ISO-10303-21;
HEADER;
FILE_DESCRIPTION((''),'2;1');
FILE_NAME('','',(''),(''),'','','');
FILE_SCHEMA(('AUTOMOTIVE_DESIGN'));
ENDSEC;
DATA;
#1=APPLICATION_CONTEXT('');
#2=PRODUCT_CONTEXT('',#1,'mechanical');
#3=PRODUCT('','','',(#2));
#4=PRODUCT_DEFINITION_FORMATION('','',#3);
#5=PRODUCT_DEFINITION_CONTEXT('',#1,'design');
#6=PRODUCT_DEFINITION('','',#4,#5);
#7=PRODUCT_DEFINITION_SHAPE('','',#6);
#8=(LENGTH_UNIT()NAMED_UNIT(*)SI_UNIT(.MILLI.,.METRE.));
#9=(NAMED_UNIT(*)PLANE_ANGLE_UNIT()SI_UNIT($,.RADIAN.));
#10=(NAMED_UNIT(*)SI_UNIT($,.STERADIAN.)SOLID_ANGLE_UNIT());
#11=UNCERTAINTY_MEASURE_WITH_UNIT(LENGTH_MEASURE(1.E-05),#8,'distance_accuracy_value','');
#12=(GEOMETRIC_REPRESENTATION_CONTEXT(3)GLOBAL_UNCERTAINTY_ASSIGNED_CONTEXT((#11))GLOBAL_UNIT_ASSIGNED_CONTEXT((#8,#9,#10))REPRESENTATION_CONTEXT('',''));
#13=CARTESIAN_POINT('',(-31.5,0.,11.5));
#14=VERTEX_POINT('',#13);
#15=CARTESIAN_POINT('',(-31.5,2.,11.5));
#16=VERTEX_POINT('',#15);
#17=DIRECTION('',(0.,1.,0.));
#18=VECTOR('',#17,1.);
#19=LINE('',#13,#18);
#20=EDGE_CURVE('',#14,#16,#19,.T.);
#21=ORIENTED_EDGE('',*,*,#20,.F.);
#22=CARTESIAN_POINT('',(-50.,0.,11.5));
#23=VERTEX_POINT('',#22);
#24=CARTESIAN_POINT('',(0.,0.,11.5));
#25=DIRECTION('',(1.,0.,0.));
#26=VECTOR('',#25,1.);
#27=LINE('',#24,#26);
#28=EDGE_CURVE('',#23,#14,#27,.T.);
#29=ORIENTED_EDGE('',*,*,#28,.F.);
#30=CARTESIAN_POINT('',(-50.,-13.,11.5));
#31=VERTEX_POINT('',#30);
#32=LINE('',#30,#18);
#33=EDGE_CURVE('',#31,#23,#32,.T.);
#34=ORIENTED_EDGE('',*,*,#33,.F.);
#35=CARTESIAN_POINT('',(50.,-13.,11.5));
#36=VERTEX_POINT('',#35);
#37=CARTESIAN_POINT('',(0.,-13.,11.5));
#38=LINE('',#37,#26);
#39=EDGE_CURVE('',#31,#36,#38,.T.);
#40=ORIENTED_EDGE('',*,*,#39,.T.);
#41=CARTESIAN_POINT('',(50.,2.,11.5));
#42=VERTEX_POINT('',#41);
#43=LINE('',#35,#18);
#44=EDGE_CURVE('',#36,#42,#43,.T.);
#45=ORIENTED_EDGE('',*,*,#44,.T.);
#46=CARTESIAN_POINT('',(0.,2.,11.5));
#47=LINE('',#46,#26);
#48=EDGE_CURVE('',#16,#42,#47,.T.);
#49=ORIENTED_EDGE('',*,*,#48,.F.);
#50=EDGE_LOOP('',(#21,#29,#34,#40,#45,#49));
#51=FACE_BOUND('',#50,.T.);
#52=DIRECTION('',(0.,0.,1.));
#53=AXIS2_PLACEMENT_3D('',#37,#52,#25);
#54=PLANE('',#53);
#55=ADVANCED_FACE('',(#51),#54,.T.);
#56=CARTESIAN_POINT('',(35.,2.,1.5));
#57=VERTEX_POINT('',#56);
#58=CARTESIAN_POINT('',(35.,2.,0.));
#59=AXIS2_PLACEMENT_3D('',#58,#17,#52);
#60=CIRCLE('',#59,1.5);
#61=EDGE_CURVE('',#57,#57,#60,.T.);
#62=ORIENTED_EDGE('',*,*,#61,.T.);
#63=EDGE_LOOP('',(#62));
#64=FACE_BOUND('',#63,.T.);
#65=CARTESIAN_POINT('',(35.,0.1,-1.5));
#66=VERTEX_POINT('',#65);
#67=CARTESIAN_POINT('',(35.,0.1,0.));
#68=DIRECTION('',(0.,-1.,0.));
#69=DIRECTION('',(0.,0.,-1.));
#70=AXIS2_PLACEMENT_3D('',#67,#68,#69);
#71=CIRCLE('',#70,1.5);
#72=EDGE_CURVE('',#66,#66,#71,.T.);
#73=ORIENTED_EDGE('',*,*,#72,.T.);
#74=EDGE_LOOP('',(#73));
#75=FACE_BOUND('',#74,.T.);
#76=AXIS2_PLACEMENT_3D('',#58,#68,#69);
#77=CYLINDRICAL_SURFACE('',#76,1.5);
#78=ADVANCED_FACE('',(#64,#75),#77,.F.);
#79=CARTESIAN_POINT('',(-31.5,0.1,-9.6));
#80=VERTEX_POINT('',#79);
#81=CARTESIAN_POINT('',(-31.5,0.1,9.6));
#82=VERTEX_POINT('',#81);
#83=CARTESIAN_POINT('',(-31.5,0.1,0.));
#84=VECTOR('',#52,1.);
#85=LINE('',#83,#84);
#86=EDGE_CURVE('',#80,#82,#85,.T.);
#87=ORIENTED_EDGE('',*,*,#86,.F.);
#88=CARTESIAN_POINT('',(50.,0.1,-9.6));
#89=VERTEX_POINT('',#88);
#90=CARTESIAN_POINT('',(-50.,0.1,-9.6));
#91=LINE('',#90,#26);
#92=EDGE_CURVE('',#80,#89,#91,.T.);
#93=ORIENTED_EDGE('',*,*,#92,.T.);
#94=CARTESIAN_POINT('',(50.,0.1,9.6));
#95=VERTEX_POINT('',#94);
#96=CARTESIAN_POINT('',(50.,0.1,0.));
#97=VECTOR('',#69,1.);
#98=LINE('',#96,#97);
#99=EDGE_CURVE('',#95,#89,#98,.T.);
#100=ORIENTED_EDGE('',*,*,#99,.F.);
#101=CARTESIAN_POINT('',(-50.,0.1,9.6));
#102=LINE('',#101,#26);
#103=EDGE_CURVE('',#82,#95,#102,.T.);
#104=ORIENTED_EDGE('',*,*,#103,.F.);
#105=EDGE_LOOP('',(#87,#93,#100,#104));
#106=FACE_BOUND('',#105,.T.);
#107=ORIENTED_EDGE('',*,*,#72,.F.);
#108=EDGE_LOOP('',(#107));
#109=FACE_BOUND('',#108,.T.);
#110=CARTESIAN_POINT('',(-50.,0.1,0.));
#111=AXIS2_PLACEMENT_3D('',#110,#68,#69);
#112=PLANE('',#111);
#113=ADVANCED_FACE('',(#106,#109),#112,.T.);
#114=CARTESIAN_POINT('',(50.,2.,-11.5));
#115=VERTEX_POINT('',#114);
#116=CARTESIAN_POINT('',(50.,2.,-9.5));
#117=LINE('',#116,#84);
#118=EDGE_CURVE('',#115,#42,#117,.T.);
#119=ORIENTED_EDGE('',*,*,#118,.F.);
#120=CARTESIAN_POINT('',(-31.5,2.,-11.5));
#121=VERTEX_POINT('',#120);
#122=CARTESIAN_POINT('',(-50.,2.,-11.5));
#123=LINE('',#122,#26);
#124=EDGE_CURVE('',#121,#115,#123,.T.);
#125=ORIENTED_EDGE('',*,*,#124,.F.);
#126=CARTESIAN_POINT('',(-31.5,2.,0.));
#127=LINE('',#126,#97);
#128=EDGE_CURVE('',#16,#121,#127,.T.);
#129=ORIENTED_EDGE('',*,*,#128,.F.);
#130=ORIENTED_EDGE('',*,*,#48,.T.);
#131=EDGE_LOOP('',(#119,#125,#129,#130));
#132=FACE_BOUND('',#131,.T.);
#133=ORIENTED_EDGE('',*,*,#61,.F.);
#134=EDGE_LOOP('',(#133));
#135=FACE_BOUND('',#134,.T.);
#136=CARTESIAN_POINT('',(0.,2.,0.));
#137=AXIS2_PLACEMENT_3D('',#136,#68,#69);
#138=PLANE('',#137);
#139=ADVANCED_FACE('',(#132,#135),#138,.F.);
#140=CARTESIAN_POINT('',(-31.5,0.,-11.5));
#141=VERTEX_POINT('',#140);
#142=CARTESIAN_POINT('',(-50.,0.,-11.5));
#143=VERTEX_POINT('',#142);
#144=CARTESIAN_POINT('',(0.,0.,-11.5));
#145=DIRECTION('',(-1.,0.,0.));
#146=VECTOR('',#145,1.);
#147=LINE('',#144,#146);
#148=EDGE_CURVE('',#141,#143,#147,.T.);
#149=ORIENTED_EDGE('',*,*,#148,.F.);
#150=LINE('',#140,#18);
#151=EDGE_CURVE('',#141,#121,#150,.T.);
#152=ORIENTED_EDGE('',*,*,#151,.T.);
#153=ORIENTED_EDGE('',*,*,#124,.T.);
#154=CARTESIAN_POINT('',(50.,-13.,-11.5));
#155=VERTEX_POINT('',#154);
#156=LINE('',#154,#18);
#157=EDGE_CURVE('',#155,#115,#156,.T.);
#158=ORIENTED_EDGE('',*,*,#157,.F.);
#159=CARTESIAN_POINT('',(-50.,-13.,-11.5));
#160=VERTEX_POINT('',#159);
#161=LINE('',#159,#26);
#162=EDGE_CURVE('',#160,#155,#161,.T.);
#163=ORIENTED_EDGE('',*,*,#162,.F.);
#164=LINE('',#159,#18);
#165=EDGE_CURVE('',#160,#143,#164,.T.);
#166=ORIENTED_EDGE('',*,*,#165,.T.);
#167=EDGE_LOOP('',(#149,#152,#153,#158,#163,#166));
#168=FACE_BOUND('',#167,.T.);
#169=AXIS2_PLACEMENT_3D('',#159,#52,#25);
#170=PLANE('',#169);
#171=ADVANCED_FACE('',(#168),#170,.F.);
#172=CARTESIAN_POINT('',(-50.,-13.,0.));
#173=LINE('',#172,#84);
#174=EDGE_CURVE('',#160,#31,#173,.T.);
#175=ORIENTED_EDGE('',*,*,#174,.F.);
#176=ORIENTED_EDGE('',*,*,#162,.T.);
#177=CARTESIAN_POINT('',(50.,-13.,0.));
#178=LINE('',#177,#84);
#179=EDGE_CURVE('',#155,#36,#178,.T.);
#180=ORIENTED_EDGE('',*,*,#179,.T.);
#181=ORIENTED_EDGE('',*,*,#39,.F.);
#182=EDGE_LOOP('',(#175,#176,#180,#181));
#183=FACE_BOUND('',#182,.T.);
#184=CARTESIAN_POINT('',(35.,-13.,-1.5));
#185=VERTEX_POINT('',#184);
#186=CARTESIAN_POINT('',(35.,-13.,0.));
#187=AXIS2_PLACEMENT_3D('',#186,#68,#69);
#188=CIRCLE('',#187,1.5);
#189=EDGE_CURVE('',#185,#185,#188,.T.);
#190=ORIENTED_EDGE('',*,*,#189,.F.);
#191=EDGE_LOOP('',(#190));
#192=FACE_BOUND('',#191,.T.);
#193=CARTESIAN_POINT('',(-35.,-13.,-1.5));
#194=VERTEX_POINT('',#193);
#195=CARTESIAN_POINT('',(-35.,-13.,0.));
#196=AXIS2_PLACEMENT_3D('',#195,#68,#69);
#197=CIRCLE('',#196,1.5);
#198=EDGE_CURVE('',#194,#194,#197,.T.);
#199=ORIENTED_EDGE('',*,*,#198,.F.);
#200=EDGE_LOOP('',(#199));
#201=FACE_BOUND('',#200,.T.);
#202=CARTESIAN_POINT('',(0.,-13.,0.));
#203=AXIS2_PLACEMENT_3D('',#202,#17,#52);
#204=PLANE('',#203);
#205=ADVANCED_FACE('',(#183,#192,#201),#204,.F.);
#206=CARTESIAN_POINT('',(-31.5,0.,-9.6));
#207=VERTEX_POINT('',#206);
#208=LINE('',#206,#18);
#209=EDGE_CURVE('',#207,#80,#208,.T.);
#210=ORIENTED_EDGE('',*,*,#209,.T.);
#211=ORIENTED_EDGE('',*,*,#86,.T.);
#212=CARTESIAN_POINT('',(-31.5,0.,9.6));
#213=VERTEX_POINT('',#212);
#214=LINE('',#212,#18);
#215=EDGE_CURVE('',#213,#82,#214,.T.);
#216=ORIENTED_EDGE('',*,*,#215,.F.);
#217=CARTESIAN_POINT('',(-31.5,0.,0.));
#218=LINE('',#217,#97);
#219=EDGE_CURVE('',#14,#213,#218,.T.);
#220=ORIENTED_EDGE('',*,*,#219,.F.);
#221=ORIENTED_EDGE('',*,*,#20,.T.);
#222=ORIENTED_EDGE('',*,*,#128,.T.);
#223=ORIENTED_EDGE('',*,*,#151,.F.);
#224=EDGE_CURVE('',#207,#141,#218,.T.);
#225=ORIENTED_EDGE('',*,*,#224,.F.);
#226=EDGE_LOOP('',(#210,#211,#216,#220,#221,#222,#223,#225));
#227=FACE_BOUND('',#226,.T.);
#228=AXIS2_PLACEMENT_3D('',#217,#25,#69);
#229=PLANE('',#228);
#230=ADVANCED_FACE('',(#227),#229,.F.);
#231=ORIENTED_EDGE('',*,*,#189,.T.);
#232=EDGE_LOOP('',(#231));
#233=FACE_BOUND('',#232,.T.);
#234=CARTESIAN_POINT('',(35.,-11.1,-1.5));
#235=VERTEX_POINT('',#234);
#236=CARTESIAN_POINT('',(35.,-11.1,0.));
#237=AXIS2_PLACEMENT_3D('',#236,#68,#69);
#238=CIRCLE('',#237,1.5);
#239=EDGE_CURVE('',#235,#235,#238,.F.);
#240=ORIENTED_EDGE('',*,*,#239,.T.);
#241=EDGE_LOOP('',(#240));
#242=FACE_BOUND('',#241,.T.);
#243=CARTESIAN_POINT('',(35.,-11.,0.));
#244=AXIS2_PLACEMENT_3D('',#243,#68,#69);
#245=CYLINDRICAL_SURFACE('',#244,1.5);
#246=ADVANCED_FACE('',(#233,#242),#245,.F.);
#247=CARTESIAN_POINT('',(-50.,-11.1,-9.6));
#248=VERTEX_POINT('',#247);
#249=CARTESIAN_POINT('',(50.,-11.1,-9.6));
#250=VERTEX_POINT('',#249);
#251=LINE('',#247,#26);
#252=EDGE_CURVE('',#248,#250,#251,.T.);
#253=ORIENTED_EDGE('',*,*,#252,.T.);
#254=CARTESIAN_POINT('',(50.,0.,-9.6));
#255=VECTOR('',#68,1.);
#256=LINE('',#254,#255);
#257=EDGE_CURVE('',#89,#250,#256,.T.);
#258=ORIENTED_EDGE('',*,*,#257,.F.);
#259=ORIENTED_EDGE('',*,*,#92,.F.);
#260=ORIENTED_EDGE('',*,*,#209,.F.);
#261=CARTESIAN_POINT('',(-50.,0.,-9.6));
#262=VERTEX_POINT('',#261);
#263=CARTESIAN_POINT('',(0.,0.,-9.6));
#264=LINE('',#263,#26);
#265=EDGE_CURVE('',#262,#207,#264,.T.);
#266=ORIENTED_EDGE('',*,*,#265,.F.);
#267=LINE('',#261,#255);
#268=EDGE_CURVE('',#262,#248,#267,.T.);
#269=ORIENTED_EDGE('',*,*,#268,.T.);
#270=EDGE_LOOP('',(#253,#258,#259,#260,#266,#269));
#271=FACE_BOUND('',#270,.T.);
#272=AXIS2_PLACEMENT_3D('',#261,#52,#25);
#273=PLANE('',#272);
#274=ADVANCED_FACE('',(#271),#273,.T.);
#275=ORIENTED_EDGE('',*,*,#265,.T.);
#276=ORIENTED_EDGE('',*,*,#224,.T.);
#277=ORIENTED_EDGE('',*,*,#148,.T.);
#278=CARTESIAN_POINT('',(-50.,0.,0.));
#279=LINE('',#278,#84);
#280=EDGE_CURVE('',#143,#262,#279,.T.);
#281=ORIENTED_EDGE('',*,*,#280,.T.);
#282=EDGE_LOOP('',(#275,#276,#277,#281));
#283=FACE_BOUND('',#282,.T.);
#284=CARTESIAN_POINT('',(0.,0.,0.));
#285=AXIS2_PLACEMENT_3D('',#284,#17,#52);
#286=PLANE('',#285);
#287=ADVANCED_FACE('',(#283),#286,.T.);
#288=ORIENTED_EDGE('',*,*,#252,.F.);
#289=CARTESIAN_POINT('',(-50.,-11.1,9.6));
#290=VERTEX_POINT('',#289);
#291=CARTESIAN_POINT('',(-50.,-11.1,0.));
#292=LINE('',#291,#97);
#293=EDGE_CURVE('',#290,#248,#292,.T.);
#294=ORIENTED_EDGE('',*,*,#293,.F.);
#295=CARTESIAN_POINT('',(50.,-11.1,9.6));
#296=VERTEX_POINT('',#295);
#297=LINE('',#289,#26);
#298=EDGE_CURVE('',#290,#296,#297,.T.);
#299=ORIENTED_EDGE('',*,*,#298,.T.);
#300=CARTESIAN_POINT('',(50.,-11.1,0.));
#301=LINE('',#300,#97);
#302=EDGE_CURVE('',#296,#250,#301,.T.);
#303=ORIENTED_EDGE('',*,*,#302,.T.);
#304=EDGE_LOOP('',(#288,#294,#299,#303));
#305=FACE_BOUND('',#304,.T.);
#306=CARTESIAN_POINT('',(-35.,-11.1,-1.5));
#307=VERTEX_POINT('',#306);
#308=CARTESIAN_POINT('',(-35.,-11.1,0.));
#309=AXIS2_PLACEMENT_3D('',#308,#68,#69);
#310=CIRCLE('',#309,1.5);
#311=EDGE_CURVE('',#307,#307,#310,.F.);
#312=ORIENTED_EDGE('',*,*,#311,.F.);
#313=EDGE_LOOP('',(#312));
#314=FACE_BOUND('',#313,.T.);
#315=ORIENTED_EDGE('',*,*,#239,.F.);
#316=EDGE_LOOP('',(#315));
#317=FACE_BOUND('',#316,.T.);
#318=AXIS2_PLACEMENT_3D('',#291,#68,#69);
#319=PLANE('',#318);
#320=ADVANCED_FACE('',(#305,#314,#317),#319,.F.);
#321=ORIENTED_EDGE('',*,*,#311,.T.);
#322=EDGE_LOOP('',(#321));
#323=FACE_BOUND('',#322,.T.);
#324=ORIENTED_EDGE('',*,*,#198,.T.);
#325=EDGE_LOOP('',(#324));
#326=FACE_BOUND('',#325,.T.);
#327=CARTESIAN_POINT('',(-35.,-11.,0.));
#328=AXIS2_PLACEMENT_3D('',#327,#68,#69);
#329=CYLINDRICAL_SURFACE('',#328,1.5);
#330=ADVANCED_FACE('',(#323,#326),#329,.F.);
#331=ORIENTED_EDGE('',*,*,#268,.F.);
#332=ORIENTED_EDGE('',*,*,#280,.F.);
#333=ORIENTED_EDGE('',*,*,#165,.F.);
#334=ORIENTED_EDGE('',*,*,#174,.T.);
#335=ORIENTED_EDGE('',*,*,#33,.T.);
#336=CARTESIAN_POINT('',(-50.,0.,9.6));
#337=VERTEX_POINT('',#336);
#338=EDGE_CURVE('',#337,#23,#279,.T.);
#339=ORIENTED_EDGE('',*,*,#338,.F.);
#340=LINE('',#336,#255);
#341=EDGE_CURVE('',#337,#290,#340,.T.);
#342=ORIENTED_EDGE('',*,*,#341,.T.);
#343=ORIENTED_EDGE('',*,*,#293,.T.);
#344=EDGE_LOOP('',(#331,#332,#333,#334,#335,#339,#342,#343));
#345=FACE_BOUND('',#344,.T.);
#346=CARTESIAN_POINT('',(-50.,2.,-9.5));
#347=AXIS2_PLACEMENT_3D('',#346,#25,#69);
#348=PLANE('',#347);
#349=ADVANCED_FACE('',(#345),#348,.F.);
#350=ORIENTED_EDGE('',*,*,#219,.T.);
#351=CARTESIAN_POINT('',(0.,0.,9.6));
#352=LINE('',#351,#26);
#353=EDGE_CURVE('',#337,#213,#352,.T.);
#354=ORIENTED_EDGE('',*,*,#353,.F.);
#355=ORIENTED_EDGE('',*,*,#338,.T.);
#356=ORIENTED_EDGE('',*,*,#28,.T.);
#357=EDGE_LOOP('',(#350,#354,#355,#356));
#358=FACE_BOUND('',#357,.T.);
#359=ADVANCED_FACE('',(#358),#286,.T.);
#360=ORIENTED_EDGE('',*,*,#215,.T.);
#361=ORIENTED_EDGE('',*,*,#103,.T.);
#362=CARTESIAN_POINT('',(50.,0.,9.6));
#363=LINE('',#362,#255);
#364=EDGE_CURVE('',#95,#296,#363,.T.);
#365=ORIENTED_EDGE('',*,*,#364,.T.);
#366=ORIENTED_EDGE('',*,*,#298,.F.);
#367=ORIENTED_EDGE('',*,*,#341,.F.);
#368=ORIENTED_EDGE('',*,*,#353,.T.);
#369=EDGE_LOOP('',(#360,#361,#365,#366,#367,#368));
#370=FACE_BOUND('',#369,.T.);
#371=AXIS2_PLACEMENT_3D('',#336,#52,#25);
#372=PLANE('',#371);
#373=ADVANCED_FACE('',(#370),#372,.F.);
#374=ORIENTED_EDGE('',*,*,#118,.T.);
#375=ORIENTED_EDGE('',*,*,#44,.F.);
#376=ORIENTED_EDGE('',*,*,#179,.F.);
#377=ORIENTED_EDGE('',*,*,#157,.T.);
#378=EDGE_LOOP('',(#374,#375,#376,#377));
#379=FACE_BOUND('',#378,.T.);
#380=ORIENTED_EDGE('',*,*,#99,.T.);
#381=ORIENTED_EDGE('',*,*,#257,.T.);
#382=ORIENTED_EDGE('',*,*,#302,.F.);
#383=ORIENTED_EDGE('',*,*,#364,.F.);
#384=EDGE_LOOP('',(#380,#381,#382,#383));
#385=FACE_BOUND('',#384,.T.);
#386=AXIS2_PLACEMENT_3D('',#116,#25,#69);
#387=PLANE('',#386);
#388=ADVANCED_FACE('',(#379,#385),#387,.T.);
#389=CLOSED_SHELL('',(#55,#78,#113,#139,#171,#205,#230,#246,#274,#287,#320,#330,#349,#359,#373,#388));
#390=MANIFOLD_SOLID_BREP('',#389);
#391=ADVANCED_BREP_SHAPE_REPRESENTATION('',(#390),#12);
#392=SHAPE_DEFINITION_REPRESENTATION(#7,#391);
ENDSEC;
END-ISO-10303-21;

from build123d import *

# Parameters (mm, degrees)
SKETCH_1_W          = 100
SKETCH_1_H          = 19
SKETCH_1_R          = 1.5
EXTRUDE_2_DEPTH     = 2
SKETCH_2_W          = 100
SKETCH_2_H          = 2
EXTRUDE_3_DEPTH     = 15
SKETCH_3_W          = 100
SKETCH_3_H          = 19
SKETCH_3_R          = 1.5
EXTRUDE_5_DEPTH     = 2
CUT_EXTRUDE_1_DEPTH = 2
SKETCH_7_W          = 19
SKETCH_7_H          = 11
CUT_EXTRUDE_2_DEPTH = 100
CUT_EXTRUDE_3_DEPTH = 2


with BuildPart() as part:
    # 草图1 → 凸台-拉伸2 (new body)
    with BuildSketch(Plane(origin=(0, 0, 0), x_dir=(1, 0, 0), z_dir=(0, 1, 0))):
        Rectangle(SKETCH_1_W, SKETCH_1_H)
        with Locations(Location((-35, 0, 0), (0, 0, 270))):
            Circle(SKETCH_1_R, mode=Mode.SUBTRACT)
        with Locations(Location((35, 0, 0), (0, 0, 270))):
            Circle(SKETCH_1_R, mode=Mode.SUBTRACT)
    extrude(amount=EXTRUDE_2_DEPTH)

    # 草图2 → 凸台-拉伸3 (add)
    with BuildSketch(Plane(origin=(0, 2, 0), x_dir=(1, 0, 0), z_dir=(0, 1, 0))):
        with Locations((0, -10.5)):
            Rectangle(SKETCH_2_W, SKETCH_2_H)
        with Locations((0, 10.5)):
            Rectangle(SKETCH_2_W, SKETCH_2_H)
    extrude(amount=-EXTRUDE_3_DEPTH)

    # 草图3 → 凸台-拉伸5 (add)
    with BuildSketch(Plane(origin=(0, -13, 0), x_dir=(-1, 0, 0), z_dir=(0, -1, 0))):
        Rectangle(SKETCH_3_W, SKETCH_3_H)
        with Locations(Location((35, 0, 0), (0, 0, 270))):
            Circle(SKETCH_3_R, mode=Mode.SUBTRACT)
        with Locations(Location((-35, 0, 0), (0, 0, 270))):
            Circle(SKETCH_3_R, mode=Mode.SUBTRACT)
    extrude(amount=-EXTRUDE_5_DEPTH)

    # 草图5 → 切除-拉伸1 (cut)
    with BuildSketch(Plane(origin=(0, 2, 0), x_dir=(1, 0, 0), z_dir=(0, 1, 0))):
        Polygon((-38.5, -11.5), (-38.5, 0), (-38.5, 11.5), (-50, 11.5), (-50, -11.5), align=None)
    extrude(amount=-CUT_EXTRUDE_1_DEPTH, mode=Mode.SUBTRACT)

    # 草图7 → 切除-拉伸2 (cut)
    with BuildSketch(Plane(origin=(50, 0, 0), x_dir=(0, 0, -1), z_dir=(1, 0, 0))):
        Polygon((9.5, 0), (9.5, -11), (9.6, -11), (9.6, 0.1), (-9.5, 0.1), (-9.5, 0), align=None)
        with Locations((0, -5.5)):
            Rectangle(SKETCH_7_W, SKETCH_7_H)
        Polygon((-9.6, 0.1), (-9.6, -11.1), (9.6, -11.1), (9.6, -11), (9.5, -11), (-9.5, -11), (-9.5, 0), (-9.5, 0.1), align=None)
    extrude(amount=-CUT_EXTRUDE_2_DEPTH, mode=Mode.SUBTRACT)

    # 草图8 → 切除-拉伸3 (cut)
    with BuildSketch(Plane(origin=(0, 2, 0), x_dir=(1, 0, 0), z_dir=(0, 1, 0))):
        Polygon((-31.5, -11.5), (-31.5, 0), (-31.5, 11.5), (-38.5, 11.5), (-38.5, -11.5), align=None)
    extrude(amount=-CUT_EXTRUDE_3_DEPTH, mode=Mode.SUBTRACT)


solid = part.part
